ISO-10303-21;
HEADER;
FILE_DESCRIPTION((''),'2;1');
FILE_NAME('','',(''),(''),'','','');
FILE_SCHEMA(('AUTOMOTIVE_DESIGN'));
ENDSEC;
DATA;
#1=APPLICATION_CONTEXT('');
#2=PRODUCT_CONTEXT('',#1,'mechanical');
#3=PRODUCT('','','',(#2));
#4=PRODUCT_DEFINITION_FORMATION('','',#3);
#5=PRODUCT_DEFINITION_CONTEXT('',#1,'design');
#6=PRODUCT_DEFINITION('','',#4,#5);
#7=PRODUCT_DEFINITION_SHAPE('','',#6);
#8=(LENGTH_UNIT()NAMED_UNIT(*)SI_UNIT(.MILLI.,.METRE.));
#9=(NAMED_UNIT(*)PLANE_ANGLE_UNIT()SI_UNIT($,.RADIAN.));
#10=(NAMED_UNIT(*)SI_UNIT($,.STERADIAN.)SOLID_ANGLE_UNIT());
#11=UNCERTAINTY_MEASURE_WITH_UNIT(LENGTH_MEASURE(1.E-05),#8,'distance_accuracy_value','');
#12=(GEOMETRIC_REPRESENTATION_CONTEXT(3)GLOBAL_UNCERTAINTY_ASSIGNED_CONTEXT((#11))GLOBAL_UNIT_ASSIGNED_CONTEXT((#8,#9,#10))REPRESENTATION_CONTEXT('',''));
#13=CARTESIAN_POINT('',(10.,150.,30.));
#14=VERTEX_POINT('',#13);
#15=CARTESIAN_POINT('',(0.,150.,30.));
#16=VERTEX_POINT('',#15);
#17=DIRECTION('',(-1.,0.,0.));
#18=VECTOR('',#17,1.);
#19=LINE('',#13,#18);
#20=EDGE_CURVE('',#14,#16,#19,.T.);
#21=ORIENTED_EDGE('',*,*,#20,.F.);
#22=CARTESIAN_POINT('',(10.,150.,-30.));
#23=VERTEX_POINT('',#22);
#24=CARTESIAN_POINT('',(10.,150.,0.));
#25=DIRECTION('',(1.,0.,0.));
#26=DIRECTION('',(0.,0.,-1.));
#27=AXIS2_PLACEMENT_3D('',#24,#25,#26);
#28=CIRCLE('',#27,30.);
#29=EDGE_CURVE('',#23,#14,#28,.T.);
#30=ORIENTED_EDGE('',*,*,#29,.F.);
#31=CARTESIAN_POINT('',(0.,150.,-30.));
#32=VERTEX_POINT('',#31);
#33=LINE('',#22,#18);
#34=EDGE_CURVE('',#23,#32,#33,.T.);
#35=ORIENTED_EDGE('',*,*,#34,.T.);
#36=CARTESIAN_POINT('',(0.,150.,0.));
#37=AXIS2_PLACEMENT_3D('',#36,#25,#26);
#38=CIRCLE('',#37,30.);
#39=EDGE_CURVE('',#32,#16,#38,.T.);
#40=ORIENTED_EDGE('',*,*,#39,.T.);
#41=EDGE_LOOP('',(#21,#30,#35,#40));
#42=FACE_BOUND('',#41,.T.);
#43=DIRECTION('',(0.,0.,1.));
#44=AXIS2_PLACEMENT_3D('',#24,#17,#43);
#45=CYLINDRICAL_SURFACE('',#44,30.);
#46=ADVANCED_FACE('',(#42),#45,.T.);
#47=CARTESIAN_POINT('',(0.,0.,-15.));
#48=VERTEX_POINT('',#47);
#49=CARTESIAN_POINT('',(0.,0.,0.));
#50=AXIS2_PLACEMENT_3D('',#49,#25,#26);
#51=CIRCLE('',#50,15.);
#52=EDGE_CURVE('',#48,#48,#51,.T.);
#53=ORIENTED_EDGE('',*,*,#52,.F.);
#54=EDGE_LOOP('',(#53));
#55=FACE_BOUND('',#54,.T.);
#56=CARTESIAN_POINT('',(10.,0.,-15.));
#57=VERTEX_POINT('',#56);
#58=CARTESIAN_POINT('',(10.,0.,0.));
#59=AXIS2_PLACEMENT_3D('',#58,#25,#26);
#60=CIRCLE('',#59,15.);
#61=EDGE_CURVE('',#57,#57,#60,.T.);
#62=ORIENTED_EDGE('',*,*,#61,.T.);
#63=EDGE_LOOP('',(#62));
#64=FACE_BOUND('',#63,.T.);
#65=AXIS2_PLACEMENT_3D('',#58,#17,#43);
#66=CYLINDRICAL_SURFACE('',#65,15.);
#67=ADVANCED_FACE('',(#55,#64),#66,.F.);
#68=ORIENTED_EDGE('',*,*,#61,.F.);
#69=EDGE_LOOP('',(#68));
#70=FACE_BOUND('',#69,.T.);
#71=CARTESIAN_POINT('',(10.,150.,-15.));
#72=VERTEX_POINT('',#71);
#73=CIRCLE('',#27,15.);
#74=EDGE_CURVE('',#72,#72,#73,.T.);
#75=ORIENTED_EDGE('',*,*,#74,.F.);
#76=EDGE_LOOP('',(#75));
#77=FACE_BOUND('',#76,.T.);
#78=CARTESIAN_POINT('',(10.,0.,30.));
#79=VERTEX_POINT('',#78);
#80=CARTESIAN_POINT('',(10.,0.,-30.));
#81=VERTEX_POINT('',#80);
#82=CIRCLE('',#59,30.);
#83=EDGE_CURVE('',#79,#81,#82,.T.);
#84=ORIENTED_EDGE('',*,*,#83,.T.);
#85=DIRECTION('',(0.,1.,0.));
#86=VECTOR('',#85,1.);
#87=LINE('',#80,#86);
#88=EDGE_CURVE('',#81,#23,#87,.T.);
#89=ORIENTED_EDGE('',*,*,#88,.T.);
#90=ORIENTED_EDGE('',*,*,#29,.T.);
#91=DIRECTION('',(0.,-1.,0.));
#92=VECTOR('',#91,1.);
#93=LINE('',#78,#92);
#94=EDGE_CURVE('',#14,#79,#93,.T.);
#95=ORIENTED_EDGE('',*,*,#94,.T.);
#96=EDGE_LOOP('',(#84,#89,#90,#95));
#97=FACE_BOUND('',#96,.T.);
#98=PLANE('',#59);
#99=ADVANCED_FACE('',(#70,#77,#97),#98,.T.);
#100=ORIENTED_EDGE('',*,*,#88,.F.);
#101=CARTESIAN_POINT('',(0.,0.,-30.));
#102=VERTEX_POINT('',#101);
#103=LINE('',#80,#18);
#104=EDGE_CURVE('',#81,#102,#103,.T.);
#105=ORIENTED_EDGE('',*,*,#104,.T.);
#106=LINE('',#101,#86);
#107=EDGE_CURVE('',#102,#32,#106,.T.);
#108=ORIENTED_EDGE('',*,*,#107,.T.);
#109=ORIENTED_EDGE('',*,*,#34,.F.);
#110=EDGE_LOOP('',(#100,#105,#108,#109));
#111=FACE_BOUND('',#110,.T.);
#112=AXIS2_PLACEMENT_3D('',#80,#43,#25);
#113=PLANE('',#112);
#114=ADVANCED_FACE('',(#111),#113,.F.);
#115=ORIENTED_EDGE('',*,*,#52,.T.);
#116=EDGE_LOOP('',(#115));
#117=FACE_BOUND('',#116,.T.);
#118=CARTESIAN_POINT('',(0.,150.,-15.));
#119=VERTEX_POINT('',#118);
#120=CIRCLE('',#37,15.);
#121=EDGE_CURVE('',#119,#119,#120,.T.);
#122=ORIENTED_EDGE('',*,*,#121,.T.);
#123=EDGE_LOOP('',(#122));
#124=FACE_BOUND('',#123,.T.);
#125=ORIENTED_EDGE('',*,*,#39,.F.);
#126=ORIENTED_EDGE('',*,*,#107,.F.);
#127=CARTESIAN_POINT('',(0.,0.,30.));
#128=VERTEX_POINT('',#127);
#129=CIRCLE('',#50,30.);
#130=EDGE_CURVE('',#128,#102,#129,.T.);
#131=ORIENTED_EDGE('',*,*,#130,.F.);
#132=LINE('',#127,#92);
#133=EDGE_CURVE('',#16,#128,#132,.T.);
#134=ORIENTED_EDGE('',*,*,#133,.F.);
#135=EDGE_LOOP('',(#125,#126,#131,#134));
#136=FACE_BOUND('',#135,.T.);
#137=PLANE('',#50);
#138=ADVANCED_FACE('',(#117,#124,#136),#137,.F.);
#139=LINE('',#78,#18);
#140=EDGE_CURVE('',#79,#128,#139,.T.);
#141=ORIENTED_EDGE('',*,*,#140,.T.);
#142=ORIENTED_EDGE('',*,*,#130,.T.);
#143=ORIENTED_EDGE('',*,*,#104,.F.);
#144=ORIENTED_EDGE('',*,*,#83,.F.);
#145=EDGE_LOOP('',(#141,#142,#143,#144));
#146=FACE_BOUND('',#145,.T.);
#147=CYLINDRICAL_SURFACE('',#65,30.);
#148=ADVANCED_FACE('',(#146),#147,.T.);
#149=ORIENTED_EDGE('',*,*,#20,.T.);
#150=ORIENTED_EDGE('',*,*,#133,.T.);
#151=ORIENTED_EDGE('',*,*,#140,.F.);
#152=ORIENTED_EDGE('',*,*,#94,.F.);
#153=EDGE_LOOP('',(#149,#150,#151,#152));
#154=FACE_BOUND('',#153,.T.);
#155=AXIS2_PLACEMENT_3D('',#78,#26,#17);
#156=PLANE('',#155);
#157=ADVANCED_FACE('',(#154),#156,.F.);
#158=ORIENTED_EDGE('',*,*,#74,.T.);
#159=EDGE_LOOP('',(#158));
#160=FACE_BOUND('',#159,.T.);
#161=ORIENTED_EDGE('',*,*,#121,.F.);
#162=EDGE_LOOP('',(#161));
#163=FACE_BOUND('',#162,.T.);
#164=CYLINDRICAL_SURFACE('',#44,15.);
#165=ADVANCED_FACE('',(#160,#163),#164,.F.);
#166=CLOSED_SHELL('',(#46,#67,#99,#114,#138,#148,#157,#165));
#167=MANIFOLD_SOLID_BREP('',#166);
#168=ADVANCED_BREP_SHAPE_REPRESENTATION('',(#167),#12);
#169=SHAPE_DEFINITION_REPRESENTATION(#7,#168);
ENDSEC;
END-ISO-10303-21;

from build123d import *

# Parameters (mm, degrees)
SKETCH1_R           = 15
BOSS_EXTRUDE1_DEPTH = 10


with BuildPart() as part:
    # Sketch1 → Boss-Extrude1 (new body)
    with BuildSketch(Plane.YZ):
        with BuildLine():
            Line((0, 30), (150, 30))
            ThreePointArc((150, 30), (180, 0), (150, -30))
            Line((150, -30), (0, -30))
            ThreePointArc((0, -30), (-30, 0), (0, 30))
        make_face()
        Circle(SKETCH1_R, mode=Mode.SUBTRACT)
        with Locations((150, 0)):
            Circle(SKETCH1_R, mode=Mode.SUBTRACT)
    extrude(amount=BOSS_EXTRUDE1_DEPTH)


solid = part.part
